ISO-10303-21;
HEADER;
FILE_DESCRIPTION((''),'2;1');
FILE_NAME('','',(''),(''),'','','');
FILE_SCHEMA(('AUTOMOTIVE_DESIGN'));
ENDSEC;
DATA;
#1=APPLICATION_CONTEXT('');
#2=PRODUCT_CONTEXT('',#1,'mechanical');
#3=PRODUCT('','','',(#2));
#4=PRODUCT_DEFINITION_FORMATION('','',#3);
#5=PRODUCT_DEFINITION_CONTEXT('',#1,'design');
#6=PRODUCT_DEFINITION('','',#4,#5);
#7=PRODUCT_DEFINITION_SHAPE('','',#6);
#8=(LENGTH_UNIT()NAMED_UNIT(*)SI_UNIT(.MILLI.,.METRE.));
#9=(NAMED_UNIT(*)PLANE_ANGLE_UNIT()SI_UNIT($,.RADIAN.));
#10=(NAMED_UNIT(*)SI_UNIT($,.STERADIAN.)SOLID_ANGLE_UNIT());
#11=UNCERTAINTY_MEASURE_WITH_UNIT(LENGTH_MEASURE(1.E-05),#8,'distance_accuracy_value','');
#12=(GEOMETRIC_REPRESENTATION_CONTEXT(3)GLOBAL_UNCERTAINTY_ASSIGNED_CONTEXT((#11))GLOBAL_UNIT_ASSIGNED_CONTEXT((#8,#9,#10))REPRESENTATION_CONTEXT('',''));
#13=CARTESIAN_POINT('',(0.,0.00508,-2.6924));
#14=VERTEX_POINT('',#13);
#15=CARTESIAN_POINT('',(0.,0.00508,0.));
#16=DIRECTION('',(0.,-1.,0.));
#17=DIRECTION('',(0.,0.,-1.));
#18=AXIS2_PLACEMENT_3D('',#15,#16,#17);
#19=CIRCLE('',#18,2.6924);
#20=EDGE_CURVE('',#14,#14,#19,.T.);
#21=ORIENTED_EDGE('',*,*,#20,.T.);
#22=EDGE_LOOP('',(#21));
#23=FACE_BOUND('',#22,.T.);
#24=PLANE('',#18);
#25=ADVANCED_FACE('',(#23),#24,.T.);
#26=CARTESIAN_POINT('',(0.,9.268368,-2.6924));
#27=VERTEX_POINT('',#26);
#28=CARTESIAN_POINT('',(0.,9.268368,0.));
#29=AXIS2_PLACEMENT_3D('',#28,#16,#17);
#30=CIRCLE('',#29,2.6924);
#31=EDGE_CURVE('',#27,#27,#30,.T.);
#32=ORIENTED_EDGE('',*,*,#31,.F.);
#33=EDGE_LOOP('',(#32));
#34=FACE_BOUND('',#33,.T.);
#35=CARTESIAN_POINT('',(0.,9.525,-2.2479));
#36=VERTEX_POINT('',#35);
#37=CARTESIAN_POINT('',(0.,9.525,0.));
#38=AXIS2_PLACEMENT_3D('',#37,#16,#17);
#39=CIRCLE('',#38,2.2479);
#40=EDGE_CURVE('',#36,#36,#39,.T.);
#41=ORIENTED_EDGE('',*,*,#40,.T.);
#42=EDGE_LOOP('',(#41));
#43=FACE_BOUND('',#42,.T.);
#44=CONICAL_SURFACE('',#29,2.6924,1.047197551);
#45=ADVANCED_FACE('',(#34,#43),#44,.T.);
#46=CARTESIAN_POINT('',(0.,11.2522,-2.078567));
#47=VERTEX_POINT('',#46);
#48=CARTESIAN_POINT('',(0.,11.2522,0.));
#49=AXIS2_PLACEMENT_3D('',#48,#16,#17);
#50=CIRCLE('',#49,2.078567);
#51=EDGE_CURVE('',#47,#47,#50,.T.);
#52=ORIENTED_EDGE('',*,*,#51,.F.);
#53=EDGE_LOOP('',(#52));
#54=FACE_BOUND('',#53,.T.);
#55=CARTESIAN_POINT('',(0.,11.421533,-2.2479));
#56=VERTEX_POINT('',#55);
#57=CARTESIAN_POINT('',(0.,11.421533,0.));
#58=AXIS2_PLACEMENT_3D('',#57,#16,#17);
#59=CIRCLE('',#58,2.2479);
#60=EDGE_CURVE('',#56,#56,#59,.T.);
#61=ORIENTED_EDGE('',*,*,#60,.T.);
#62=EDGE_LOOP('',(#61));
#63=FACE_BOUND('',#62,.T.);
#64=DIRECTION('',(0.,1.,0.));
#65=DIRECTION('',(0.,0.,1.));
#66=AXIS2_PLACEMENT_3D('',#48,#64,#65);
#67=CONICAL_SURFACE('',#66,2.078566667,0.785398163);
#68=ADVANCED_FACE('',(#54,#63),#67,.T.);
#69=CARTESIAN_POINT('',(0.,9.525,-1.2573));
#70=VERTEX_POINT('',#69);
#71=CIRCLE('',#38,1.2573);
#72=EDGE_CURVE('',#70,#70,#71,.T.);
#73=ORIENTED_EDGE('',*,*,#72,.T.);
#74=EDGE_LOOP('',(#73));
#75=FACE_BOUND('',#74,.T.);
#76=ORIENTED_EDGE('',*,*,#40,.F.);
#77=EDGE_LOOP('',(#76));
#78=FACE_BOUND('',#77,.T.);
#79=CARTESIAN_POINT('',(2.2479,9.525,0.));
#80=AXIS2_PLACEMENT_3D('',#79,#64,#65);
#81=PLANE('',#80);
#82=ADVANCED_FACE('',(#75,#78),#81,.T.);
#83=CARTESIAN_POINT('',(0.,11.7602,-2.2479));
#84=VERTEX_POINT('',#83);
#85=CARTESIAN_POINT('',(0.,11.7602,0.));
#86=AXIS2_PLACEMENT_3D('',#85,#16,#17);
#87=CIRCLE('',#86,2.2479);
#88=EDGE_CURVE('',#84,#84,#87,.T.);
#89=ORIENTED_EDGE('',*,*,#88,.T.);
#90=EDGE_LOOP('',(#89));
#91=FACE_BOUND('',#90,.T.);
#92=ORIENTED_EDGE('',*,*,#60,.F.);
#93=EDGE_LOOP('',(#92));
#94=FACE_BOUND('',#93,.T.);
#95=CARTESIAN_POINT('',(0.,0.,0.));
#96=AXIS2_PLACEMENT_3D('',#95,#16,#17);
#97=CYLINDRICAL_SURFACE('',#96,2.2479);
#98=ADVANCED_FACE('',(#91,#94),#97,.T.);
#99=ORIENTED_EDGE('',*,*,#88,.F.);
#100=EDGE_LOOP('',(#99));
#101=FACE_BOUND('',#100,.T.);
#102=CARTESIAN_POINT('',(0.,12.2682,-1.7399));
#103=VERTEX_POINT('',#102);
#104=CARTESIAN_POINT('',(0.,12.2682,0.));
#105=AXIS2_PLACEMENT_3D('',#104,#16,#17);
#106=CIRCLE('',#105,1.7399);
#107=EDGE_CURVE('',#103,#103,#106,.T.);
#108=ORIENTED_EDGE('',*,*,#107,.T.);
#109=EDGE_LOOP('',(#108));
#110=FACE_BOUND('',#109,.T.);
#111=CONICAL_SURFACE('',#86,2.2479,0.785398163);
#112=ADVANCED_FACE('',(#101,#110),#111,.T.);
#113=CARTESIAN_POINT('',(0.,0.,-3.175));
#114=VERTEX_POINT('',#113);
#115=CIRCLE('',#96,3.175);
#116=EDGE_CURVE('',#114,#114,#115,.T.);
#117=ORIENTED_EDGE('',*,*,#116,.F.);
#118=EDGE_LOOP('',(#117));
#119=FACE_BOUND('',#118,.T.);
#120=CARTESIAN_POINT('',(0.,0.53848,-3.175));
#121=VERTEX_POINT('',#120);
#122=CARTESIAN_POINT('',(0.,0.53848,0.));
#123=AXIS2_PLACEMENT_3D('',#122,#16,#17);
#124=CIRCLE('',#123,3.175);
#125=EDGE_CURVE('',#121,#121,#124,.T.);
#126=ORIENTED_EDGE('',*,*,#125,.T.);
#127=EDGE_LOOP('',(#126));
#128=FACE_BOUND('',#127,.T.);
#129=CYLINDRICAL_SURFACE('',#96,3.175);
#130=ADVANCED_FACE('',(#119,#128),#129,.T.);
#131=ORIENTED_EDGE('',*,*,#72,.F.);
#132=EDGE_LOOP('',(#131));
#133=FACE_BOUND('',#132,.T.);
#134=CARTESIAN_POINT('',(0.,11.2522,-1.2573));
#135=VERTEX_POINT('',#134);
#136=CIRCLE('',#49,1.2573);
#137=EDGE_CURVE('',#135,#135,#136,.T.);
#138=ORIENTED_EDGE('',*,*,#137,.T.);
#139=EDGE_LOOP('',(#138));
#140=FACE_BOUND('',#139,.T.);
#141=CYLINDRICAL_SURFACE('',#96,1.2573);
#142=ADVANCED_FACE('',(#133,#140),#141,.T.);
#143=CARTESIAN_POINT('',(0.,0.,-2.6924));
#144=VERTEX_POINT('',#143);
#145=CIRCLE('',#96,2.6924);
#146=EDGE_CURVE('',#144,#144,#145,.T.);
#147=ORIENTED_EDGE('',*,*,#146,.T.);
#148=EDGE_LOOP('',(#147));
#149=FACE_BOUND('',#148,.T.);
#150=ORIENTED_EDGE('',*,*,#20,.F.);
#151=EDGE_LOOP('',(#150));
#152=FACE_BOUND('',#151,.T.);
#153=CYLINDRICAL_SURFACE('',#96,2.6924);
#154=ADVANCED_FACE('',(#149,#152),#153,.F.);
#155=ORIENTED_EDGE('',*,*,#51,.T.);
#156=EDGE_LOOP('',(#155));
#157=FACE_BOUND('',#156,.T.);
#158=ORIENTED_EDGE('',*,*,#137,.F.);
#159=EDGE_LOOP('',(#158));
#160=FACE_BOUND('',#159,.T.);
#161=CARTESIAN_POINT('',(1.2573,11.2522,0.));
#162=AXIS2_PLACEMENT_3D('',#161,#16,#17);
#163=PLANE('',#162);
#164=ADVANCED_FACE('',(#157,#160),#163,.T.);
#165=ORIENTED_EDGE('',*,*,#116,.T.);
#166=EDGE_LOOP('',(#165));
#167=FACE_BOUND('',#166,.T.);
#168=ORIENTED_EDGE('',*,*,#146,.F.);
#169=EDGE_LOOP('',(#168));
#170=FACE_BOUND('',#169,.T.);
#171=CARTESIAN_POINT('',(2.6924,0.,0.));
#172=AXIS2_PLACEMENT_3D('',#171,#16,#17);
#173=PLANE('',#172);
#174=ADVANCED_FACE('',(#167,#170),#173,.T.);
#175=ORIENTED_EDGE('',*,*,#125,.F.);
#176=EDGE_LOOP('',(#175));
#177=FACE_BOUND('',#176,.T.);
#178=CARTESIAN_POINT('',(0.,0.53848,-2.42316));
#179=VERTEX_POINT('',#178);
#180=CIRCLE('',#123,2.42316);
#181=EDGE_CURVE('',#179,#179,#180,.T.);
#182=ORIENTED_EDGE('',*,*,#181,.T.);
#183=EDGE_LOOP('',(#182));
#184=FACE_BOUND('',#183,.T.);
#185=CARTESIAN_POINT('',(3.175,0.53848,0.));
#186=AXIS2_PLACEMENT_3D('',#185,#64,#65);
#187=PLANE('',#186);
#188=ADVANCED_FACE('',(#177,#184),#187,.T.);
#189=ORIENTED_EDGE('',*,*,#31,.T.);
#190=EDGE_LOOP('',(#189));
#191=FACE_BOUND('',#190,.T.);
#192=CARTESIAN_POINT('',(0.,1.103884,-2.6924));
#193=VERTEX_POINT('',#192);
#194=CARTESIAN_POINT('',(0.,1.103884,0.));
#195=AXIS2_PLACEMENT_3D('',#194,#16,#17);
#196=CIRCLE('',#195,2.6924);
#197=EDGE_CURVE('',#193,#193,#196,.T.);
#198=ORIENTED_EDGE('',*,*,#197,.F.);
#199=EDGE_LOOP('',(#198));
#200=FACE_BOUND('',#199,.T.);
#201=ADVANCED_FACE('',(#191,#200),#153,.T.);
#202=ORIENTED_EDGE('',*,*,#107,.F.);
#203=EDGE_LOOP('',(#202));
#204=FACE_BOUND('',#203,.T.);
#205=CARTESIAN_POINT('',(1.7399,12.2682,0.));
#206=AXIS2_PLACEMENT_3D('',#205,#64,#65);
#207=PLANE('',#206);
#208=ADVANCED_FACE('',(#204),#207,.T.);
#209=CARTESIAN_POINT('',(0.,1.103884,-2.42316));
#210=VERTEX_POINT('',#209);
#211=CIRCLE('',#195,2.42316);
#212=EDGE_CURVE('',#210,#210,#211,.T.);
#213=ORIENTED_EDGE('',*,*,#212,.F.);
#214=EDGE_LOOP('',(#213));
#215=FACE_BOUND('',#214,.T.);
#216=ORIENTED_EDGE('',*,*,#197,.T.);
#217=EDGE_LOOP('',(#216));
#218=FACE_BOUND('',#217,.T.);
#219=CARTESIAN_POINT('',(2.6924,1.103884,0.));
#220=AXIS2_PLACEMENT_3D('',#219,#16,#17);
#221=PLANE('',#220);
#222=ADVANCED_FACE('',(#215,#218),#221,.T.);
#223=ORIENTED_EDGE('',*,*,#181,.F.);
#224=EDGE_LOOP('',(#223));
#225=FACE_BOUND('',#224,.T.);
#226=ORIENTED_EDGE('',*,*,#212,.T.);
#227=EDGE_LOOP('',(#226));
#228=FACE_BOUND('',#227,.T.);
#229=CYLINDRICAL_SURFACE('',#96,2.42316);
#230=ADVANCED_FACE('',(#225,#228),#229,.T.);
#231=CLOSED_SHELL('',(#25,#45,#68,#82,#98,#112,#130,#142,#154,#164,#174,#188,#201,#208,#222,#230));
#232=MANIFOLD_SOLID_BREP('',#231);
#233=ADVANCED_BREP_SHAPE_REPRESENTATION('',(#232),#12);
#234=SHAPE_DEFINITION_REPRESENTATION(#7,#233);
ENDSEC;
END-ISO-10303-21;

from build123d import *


with BuildPart() as part:
    # BodySke → Body (revolve)
    with BuildSketch(Plane.XY, mode=Mode.PRIVATE) as body_sk:
        Polygon((2.6924, 0), (3.175, 0), (3.175, 0.53848), (2.42316, 0.53848), (2.42316, 1.103884), (2.6924, 1.103884), (2.6924, 9.268367805), (2.2479, 9.525), (1.2573, 9.525), (1.2573, 11.2522), (2.078566667, 11.2522), (2.2479, 11.421533333), (2.2479, 11.7602), (1.7399, 12.2682), (0, 12.2682), (0, 0.00508), (2.6924, 0.00508), align=None)
    revolve(body_sk.sketch.rotate(Axis((0, 0, 0), (0, 1, 0)), 90), axis=Axis((0, 0, 0), (0, 1, 0)))


solid = part.part
